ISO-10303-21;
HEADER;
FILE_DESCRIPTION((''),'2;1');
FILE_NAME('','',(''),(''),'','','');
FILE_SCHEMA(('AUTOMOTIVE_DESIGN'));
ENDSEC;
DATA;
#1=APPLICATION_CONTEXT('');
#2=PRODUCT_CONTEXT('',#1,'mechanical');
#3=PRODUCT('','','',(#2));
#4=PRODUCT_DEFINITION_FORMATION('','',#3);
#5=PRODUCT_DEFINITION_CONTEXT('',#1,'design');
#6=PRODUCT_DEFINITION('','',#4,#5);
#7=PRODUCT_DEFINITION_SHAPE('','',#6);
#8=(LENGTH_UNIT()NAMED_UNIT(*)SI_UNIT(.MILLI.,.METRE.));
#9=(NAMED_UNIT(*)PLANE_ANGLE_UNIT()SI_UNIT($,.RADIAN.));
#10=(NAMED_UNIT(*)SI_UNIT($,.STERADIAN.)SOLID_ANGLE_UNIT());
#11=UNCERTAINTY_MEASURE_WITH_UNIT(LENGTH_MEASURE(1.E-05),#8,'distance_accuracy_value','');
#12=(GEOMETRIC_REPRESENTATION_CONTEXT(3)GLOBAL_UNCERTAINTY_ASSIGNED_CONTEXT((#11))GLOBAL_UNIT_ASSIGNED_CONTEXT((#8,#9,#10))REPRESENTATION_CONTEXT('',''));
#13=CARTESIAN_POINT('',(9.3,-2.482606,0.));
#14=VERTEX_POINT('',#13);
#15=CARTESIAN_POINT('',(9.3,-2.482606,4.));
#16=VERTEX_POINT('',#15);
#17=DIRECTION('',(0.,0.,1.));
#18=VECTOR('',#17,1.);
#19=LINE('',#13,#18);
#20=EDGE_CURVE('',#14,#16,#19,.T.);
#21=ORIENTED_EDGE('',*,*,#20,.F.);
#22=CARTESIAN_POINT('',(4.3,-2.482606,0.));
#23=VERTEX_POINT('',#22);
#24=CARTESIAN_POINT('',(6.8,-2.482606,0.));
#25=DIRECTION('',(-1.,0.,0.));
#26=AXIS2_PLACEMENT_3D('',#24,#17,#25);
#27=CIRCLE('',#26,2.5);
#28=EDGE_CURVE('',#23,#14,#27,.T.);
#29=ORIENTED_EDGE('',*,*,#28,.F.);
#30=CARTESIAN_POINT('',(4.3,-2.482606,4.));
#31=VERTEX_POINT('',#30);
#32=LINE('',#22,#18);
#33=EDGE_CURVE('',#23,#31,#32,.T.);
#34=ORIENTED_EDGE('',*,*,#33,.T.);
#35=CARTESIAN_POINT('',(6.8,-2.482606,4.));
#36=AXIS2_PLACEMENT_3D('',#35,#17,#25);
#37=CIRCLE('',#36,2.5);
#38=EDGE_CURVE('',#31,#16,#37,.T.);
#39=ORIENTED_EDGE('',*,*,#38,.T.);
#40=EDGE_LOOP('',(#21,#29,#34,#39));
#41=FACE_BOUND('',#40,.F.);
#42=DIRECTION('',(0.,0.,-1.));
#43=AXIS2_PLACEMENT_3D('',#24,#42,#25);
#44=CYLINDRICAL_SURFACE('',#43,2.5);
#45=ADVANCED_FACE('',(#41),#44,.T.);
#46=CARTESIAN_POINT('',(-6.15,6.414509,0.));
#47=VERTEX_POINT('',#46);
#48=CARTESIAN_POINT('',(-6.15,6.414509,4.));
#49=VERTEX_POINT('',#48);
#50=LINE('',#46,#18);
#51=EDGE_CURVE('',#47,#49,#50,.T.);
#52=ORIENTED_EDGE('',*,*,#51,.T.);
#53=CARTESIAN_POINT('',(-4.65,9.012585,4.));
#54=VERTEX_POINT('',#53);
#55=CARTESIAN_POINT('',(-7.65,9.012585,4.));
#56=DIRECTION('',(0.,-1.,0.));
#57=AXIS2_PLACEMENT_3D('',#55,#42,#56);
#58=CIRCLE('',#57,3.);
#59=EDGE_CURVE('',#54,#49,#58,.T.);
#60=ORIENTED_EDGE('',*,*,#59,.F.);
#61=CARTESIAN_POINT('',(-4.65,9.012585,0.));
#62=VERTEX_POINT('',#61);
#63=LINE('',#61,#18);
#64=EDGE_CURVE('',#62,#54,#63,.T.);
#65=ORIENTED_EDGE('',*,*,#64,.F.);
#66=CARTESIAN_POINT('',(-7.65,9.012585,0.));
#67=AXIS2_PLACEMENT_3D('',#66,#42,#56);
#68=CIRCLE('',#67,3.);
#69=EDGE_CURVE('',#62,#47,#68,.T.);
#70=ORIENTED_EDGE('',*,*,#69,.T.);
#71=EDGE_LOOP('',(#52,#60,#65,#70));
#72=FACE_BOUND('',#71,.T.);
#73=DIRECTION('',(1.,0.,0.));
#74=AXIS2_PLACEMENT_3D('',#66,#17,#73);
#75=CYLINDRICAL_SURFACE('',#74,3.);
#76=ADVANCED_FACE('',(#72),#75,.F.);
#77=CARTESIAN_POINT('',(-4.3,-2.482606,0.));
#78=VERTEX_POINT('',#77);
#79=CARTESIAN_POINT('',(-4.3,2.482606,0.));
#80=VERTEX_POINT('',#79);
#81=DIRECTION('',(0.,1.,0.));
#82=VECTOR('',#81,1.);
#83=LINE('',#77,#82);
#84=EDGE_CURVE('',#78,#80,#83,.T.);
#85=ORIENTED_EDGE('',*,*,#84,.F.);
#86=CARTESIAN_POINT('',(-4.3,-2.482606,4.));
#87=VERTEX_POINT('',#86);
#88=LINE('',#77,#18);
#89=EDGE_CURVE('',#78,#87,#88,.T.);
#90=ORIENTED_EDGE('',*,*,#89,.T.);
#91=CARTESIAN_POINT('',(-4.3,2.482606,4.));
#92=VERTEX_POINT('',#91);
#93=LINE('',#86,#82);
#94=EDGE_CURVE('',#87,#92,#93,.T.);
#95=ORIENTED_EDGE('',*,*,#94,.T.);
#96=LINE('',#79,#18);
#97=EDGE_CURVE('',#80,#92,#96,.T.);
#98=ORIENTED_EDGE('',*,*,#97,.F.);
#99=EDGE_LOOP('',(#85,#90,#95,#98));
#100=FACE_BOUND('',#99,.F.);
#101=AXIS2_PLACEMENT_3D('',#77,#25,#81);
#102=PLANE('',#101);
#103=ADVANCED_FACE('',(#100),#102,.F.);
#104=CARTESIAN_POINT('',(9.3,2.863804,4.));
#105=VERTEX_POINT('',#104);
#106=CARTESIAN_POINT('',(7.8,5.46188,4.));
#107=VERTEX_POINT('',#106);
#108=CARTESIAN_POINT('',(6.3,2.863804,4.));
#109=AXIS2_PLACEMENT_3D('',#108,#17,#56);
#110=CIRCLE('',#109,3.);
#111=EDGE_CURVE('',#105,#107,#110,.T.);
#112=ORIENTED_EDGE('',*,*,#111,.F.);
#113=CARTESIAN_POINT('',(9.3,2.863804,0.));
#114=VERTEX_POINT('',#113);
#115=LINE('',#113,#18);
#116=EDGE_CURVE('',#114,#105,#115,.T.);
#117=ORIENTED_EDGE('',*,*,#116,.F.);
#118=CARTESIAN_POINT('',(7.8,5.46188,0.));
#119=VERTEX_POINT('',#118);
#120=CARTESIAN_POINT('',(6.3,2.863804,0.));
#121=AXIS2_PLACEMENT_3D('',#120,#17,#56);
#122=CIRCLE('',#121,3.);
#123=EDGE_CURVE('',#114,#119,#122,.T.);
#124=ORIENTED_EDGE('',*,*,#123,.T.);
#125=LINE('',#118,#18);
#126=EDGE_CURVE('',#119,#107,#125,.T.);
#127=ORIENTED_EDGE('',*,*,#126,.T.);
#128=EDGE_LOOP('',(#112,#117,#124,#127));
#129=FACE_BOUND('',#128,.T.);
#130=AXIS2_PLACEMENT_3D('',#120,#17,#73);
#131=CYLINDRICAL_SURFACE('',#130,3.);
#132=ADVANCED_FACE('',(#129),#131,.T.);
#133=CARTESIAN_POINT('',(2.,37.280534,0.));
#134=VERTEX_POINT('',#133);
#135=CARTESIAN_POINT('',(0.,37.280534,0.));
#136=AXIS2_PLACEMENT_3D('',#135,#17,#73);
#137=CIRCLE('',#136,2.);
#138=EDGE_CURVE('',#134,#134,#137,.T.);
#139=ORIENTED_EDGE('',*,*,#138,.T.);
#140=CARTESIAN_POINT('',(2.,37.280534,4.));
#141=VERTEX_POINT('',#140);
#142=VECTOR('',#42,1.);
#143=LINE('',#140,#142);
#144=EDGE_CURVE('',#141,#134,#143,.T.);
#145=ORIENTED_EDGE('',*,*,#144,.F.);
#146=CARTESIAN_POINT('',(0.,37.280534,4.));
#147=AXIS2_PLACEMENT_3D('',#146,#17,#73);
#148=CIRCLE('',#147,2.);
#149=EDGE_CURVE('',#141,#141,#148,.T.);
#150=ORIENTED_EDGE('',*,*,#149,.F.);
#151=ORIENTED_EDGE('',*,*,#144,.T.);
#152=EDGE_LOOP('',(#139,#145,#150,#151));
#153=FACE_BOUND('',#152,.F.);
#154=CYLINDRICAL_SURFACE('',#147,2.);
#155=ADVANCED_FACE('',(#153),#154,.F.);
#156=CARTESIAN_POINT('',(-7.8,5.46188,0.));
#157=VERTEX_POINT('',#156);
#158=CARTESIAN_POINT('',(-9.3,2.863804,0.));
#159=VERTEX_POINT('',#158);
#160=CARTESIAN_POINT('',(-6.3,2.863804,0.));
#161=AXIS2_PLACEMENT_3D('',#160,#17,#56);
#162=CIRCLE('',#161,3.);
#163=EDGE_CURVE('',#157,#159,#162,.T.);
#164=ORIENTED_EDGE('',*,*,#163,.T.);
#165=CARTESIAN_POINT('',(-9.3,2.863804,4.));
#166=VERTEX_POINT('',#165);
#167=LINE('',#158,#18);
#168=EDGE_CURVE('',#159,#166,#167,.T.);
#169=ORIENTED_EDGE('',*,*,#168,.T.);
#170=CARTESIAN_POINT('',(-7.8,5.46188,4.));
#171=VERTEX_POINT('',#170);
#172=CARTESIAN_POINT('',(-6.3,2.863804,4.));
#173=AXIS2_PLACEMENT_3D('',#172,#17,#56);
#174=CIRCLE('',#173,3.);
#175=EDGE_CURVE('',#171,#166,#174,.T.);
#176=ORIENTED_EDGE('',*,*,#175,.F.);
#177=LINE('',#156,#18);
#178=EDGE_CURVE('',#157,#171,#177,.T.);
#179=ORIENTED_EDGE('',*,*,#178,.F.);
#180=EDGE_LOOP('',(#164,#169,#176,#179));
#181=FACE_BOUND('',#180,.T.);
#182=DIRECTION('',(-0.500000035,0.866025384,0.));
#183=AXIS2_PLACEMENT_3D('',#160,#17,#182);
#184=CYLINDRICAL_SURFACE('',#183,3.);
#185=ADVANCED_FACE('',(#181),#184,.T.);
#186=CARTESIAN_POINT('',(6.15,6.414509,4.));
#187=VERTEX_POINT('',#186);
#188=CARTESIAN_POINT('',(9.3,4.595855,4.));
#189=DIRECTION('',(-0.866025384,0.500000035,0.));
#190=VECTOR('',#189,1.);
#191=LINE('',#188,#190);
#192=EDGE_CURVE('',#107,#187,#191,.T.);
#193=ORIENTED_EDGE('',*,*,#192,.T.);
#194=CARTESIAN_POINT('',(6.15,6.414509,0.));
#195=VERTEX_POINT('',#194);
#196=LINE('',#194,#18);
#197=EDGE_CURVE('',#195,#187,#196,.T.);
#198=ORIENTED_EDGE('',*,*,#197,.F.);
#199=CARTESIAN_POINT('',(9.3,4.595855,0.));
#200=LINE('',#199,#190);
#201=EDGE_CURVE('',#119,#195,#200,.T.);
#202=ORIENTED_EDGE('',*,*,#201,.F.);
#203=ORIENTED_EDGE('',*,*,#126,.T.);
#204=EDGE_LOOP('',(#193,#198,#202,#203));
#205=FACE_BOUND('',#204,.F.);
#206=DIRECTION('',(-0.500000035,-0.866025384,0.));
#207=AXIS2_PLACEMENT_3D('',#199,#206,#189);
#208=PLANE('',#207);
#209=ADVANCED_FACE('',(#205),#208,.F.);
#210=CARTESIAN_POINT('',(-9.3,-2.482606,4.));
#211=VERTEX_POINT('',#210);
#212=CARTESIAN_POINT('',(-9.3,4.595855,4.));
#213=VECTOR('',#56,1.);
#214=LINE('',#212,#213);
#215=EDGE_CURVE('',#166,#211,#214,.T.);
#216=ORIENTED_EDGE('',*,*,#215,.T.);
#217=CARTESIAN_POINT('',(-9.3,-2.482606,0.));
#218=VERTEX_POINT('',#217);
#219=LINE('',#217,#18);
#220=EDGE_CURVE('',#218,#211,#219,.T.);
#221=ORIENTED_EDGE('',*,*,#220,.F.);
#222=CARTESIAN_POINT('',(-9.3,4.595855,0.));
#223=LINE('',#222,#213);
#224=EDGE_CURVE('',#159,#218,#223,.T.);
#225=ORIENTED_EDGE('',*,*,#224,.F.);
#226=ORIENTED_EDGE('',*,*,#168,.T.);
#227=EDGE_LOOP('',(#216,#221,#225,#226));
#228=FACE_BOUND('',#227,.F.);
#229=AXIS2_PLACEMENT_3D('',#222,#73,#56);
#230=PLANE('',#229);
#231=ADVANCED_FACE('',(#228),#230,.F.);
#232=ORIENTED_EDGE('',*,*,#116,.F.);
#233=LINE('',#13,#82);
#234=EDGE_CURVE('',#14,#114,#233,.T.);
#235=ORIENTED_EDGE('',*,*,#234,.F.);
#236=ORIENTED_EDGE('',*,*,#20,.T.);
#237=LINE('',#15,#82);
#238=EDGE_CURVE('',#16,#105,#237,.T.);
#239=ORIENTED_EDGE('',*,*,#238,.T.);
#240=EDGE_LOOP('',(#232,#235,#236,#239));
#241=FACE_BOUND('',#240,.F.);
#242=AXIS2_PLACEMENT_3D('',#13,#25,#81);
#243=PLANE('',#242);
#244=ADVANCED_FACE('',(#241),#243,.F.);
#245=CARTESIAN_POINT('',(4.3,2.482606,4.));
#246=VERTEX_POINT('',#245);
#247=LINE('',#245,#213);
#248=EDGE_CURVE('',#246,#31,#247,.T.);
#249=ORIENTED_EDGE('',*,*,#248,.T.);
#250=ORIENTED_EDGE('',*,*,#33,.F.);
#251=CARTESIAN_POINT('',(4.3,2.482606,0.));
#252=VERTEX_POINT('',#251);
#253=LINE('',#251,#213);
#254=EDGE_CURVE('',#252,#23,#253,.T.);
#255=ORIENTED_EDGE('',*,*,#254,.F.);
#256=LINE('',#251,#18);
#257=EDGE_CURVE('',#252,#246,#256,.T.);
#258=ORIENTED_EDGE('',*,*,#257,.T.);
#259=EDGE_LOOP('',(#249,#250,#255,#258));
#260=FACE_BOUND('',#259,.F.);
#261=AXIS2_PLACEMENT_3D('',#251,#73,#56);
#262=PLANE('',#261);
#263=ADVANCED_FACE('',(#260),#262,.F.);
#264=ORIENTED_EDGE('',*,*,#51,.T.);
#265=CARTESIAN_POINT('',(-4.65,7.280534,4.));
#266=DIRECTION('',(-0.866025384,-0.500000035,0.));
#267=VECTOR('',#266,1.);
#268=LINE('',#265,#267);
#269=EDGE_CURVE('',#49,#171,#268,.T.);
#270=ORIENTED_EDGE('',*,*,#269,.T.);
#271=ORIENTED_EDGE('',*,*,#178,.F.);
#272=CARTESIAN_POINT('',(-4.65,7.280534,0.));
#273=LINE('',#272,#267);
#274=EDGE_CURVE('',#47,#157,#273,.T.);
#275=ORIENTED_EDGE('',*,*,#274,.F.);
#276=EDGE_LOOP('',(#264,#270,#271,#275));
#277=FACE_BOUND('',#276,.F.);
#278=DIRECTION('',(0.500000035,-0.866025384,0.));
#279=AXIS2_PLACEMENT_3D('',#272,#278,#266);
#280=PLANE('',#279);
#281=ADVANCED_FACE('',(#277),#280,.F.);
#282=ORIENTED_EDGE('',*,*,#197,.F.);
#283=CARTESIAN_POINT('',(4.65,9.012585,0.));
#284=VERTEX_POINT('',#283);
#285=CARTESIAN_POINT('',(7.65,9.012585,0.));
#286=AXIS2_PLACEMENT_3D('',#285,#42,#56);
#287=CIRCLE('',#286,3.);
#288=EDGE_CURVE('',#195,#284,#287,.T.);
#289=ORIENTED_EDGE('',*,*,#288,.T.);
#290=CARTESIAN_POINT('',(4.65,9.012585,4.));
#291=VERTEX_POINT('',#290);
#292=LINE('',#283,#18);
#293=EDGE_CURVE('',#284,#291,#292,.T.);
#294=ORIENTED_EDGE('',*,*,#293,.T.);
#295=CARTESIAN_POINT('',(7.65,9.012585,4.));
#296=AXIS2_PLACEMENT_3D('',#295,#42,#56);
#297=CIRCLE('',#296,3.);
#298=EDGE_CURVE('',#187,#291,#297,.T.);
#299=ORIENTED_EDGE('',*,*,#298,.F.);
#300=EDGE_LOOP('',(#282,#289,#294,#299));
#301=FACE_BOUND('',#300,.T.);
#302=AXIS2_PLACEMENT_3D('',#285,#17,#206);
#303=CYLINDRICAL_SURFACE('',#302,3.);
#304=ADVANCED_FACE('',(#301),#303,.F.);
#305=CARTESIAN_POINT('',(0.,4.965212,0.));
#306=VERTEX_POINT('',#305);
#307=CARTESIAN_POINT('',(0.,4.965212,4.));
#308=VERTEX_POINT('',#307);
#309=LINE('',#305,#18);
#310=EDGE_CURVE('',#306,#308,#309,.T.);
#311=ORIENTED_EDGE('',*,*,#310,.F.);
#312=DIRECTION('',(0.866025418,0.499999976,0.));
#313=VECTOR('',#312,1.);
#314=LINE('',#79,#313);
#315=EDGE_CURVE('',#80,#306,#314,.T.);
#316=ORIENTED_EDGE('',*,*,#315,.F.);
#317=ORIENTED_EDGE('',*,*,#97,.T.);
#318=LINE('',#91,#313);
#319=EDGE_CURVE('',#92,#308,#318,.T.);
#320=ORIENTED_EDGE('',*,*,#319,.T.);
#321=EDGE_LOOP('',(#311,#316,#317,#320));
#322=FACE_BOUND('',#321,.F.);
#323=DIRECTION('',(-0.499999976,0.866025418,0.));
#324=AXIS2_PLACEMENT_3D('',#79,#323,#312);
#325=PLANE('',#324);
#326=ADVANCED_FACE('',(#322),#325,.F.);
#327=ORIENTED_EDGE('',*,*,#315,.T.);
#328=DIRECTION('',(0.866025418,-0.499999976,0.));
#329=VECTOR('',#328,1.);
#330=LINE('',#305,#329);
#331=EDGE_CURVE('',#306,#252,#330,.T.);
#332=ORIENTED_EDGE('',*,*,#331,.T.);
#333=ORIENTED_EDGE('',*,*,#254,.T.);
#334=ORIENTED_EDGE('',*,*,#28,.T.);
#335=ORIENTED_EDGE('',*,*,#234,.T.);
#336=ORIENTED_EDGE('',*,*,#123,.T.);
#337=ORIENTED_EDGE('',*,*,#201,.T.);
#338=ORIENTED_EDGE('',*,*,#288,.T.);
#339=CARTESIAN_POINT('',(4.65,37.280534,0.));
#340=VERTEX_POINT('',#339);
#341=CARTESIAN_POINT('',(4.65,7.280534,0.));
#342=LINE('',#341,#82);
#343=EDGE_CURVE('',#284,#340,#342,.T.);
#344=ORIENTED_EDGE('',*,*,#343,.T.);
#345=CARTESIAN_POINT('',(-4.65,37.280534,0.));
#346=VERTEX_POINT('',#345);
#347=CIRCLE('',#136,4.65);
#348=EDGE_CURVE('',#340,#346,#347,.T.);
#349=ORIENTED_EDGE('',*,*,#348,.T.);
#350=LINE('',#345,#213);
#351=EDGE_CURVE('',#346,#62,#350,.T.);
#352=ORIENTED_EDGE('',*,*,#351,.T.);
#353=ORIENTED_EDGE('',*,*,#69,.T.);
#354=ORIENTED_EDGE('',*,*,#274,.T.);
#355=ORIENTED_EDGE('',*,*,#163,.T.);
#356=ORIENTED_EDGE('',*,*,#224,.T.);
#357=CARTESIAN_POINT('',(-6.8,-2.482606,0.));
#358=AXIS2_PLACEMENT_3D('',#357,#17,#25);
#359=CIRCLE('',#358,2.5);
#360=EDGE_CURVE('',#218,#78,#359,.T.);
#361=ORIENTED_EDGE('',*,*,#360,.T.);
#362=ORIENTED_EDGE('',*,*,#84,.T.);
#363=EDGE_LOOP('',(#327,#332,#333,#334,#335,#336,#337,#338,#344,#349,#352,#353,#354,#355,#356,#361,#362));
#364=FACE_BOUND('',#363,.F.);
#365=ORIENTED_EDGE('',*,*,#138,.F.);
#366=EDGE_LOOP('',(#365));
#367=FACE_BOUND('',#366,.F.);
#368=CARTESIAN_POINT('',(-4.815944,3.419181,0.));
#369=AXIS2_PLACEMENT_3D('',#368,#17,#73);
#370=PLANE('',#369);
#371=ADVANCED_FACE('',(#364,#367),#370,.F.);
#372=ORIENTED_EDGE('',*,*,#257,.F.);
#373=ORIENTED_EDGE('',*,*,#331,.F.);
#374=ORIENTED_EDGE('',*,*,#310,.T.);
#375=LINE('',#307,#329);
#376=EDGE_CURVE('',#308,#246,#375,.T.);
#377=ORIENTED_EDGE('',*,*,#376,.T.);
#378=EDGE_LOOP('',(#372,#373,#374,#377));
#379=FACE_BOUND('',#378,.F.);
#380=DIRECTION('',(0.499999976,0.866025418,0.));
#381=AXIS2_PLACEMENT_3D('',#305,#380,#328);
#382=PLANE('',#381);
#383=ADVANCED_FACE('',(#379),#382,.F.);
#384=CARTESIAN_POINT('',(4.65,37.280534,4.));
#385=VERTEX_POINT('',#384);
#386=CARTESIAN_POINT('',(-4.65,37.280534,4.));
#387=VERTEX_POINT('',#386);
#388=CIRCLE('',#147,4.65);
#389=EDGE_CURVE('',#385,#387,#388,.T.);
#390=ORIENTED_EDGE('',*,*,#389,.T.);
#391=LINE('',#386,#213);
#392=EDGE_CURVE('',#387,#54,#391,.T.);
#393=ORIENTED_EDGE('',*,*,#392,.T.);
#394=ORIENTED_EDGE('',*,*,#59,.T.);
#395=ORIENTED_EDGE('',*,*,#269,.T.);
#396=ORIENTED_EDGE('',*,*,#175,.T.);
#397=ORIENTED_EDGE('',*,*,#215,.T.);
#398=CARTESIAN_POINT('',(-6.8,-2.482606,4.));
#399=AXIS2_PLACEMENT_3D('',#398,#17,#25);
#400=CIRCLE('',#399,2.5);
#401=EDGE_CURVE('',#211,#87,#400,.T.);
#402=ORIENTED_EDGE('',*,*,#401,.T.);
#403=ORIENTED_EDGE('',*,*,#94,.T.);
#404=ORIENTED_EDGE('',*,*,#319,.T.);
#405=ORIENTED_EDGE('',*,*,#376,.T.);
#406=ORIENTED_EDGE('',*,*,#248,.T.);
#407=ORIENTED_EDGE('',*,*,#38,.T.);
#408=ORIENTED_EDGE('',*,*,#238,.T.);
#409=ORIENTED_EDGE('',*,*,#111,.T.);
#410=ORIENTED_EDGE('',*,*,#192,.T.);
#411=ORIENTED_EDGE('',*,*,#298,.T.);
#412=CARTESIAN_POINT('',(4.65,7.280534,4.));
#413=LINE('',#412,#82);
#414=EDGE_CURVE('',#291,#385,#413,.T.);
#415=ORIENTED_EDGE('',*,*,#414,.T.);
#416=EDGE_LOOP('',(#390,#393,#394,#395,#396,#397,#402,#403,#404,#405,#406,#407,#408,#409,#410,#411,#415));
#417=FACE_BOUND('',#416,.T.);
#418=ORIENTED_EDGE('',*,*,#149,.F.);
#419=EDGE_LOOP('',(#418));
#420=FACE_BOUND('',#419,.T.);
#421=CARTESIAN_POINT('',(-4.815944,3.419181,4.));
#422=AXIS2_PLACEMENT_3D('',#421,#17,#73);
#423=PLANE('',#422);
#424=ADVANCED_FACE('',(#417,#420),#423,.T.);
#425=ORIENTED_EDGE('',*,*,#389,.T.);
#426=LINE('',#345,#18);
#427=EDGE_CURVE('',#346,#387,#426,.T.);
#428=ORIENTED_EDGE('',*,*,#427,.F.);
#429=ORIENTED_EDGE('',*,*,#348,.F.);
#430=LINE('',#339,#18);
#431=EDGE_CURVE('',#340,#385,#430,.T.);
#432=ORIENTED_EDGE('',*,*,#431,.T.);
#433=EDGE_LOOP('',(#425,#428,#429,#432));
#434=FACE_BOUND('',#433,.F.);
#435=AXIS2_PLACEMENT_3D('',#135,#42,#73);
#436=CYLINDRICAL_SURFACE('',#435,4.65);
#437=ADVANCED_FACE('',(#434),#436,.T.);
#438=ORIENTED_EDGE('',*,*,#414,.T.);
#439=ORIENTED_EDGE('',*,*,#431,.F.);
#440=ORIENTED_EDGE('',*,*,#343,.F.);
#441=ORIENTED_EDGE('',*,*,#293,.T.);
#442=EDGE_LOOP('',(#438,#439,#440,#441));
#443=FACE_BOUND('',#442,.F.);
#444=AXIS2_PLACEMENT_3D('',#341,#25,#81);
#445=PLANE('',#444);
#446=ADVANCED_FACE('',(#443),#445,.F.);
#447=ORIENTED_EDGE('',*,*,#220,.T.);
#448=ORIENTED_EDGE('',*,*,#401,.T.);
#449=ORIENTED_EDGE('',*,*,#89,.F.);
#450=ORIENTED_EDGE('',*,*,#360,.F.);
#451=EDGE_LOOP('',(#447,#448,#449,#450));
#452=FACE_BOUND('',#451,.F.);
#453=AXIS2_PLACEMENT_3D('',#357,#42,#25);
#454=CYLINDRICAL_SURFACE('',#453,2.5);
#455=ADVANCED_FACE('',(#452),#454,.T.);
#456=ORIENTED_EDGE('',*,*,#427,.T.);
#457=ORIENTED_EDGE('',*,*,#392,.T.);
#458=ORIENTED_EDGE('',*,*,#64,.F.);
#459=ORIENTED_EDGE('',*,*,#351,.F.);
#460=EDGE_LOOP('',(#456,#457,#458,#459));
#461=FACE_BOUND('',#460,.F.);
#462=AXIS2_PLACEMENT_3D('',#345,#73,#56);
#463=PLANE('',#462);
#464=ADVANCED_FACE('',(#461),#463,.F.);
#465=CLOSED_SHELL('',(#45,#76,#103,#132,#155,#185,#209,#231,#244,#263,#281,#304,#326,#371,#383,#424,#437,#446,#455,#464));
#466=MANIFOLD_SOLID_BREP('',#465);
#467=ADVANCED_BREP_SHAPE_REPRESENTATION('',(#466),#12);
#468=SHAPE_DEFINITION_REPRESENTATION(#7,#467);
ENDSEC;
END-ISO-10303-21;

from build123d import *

# Parameters (mm, degrees)
F1_DEPTH = 4
F2_R     = 3
F3_R     = 2
F4_DEPTH = 4


with BuildPart() as f1:
    # F0 (on Top) → F1 (new body)
    with BuildSketch(Plane.XY):
        Polygon((-4.3, 2.482606), (0, 4.965212), (0, 9.965212), (-4.65, 7.280534), (-9.3, 4.595855), (-9.3, -2.482606), (-4.3, -2.482606), align=None)
        Polygon((0, 4.965212), (4.3, 2.482606), (4.3, -2.482606), (9.3, -2.482606), (9.3, 4.595855), (4.65, 7.280534), (0, 9.965212), align=None)
        with BuildLine():
            Line((-4.65, 7.280534), (0, 9.965212))
            Line((0, 9.965212), (4.65, 7.280534))
            Line((4.65, 7.280534), (4.65, 37.280534))
            ThreePointArc((4.65, 37.280534), (0, 41.930534), (-4.65, 37.280534))
            Line((-4.65, 37.280534), (-4.65, 7.280534))
        make_face()
        with BuildLine():
            ThreePointArc((-9.3, -2.482606), (-6.8, -4.982606), (-4.3, -2.482606))
            Line((-4.3, -2.482606), (-9.3, -2.482606))
        make_face()
        with BuildLine():
            Line((9.3, -2.482606), (4.3, -2.482606))
            ThreePointArc((4.3, -2.482606), (6.8, -4.982606), (9.3, -2.482606))
        make_face()
    extrude(amount=F1_DEPTH)

    # F2
    f2_edges = [f1.edges().sort_by_distance(p)[0] for p in [
        (9.3, 4.595855, 2),
        (4.65, 7.280534, 2),
        (-4.65, 7.280534, 2),
        (-9.3, 4.595855, 2),
    ]]
    fillet(f2_edges, radius=F2_R)

    # F3 (on face) → F4 (cut, through all)
    with BuildSketch(Plane.XY.offset(4)):
        with Locations((0, 37.280534)):
            Circle(F3_R)
    extrude(amount=-F4_DEPTH, mode=Mode.SUBTRACT)


solid = f1.part
